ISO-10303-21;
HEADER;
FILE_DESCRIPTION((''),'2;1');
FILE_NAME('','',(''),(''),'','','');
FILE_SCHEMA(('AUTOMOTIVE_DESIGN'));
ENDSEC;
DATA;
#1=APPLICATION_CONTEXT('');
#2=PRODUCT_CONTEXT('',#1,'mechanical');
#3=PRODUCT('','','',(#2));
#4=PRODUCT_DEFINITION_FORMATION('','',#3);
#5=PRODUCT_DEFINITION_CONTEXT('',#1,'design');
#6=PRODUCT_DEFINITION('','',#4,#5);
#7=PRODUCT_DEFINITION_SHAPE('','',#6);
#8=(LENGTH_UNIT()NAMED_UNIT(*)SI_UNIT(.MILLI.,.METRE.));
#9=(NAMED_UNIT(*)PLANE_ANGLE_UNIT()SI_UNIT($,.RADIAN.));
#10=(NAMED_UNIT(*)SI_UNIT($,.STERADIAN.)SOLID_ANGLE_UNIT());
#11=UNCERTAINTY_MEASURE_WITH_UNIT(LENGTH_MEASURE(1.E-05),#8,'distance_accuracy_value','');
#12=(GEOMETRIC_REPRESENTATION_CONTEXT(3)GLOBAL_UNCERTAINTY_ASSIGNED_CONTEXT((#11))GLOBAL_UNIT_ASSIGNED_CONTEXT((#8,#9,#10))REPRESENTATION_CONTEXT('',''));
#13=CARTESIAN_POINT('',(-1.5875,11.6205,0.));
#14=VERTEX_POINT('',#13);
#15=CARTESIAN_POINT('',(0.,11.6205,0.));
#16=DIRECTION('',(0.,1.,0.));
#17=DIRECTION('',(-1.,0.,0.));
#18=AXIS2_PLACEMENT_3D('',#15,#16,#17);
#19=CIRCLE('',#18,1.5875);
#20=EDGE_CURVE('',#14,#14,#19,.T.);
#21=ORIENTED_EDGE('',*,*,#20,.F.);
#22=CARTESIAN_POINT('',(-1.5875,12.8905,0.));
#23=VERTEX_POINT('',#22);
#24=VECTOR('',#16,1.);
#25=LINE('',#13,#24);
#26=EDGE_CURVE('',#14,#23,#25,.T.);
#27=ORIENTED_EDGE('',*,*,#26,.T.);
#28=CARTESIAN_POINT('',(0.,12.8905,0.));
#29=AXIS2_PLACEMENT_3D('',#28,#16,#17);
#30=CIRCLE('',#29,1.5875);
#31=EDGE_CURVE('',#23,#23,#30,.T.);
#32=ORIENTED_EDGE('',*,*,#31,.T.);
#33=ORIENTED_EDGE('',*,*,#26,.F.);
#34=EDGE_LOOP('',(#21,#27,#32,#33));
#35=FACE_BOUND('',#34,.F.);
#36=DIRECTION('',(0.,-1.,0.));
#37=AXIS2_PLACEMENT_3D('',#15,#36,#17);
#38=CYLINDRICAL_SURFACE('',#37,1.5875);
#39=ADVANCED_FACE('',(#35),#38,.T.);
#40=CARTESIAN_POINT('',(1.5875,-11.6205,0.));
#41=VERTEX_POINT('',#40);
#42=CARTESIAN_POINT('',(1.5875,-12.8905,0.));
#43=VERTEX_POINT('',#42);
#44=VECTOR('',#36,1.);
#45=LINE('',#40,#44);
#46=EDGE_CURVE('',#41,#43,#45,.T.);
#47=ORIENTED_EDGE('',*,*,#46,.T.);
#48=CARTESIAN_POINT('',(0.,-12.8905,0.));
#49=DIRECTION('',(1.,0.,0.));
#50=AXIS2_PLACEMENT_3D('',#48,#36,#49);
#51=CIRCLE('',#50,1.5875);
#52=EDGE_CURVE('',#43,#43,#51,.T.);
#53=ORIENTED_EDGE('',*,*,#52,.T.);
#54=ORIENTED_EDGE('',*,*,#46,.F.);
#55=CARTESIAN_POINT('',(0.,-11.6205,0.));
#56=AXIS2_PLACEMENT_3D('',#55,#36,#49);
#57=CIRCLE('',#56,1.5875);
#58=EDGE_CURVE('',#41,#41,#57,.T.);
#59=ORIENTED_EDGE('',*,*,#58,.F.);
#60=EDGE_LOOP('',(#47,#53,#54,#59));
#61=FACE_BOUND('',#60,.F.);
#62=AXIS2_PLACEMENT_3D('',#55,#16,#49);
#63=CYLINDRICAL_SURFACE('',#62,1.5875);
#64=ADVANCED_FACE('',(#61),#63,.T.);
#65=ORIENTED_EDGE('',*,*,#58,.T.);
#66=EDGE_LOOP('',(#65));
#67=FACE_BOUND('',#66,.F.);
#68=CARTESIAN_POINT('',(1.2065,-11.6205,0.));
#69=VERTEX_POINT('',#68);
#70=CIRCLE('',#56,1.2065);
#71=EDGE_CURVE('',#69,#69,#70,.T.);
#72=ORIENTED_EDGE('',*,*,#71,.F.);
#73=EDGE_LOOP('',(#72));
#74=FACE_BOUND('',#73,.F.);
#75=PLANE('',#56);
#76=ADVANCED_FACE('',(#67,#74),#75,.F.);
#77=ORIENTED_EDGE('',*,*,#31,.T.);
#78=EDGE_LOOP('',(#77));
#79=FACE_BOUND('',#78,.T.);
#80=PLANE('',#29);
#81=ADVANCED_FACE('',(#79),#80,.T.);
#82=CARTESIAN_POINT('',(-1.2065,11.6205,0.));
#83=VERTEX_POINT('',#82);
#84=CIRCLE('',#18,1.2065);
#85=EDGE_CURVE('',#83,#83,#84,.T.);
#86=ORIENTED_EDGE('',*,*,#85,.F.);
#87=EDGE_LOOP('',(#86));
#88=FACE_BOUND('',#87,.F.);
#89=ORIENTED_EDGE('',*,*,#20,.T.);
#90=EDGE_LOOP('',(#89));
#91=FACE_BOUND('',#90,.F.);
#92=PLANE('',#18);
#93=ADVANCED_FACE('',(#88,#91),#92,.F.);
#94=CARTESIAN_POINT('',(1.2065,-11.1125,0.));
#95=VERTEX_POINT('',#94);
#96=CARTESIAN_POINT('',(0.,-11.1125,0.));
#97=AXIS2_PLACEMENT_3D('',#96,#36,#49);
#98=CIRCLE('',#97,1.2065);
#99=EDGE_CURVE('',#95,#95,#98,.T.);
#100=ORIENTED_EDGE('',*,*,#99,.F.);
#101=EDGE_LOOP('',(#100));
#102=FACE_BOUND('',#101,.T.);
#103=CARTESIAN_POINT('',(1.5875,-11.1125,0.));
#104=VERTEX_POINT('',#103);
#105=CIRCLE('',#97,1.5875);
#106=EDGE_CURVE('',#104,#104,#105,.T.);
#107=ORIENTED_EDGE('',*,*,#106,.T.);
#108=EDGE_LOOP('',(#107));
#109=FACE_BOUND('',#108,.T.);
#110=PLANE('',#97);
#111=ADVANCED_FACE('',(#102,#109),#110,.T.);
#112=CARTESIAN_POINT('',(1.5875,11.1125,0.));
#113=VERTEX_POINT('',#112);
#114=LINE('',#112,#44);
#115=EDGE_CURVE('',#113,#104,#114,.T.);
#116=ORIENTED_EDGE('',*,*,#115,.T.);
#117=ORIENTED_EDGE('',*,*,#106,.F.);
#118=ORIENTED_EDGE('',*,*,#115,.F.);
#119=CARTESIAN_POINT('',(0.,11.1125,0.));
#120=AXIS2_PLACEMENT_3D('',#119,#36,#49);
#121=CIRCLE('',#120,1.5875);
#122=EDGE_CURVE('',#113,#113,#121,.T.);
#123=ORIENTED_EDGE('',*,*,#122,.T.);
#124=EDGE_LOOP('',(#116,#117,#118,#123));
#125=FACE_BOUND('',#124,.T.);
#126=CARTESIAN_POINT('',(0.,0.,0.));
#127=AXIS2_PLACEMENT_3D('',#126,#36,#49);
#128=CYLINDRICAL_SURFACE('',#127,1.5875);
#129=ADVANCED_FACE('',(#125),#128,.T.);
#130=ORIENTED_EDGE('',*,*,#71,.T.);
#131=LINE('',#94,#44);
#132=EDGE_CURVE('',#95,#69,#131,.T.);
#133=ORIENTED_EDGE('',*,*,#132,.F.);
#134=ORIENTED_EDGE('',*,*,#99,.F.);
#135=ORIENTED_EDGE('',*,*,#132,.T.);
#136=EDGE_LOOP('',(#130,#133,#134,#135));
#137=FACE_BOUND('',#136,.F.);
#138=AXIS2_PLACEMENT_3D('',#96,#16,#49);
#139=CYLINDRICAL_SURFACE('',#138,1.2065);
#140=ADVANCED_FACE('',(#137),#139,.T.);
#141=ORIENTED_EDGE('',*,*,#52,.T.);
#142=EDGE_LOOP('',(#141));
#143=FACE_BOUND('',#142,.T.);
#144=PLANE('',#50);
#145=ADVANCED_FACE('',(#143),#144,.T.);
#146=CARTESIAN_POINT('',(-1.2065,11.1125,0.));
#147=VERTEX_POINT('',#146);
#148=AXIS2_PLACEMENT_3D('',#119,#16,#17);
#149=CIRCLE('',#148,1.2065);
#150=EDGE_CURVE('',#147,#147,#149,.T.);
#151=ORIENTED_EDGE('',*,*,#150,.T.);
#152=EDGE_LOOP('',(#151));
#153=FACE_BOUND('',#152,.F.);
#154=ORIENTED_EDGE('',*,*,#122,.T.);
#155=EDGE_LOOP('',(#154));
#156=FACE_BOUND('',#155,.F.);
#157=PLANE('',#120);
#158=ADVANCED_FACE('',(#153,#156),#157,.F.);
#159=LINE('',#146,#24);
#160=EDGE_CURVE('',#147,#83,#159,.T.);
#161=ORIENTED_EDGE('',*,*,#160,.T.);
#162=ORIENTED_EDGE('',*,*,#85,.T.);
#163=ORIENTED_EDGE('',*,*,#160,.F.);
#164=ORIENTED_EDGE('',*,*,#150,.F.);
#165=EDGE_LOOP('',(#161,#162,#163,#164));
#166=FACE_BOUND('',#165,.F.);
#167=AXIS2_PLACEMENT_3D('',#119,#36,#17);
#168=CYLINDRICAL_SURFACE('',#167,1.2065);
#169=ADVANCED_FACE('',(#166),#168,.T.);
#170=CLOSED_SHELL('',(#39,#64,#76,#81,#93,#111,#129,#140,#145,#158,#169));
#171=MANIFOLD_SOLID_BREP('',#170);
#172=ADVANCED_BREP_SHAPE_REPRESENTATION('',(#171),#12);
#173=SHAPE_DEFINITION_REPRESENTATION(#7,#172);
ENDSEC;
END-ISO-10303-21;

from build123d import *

# Parameters (mm, degrees)
F0_R     = 1.5875
F1_DEPTH = 11.1125
F2_R     = 1.2065
F3_DEPTH = 0.508
F4_R     = 1.5875
F4_R_2   = 1.2065
F5_DEPTH = 1.27
F6_R     = 1.2065
F7_DEPTH = 0.508
F8_R     = 1.5875
F8_R_2   = 1.2065
F9_DEPTH = 1.27


with BuildPart() as f1:
    # F0 (on Front) → F1 (new body, symmetric)
    with BuildSketch(Plane.XZ):
        Circle(F0_R)
    extrude(amount=F1_DEPTH, both=True)

    # F2 (on face) → F3 (join)
    with BuildSketch(Plane.XZ.offset(11.1125)):
        Circle(F2_R)
    extrude(amount=F3_DEPTH)

    # F4 (on face) → F5 (join)
    with BuildSketch(Plane.XZ.offset(11.6205)):
        Circle(F4_R)
        Circle(F4_R_2, mode=Mode.SUBTRACT)
        Circle(F4_R_2)
    extrude(amount=F5_DEPTH)

    # F6 (on face) → F7 (join)
    with BuildSketch(Plane(origin=(0, 11.1125, 0), x_dir=(-1, 0, 0), z_dir=(0, 1, 0))):
        Circle(F6_R)
    extrude(amount=F7_DEPTH)

    # F8 (on face) → F9 (join)
    with BuildSketch(Plane(origin=(0, 11.6205, 0), x_dir=(-1, 0, 0), z_dir=(0, 1, 0))):
        Circle(F8_R)
        Circle(F8_R_2, mode=Mode.SUBTRACT)
        Circle(F8_R_2)
    extrude(amount=F9_DEPTH)


solid = f1.part
